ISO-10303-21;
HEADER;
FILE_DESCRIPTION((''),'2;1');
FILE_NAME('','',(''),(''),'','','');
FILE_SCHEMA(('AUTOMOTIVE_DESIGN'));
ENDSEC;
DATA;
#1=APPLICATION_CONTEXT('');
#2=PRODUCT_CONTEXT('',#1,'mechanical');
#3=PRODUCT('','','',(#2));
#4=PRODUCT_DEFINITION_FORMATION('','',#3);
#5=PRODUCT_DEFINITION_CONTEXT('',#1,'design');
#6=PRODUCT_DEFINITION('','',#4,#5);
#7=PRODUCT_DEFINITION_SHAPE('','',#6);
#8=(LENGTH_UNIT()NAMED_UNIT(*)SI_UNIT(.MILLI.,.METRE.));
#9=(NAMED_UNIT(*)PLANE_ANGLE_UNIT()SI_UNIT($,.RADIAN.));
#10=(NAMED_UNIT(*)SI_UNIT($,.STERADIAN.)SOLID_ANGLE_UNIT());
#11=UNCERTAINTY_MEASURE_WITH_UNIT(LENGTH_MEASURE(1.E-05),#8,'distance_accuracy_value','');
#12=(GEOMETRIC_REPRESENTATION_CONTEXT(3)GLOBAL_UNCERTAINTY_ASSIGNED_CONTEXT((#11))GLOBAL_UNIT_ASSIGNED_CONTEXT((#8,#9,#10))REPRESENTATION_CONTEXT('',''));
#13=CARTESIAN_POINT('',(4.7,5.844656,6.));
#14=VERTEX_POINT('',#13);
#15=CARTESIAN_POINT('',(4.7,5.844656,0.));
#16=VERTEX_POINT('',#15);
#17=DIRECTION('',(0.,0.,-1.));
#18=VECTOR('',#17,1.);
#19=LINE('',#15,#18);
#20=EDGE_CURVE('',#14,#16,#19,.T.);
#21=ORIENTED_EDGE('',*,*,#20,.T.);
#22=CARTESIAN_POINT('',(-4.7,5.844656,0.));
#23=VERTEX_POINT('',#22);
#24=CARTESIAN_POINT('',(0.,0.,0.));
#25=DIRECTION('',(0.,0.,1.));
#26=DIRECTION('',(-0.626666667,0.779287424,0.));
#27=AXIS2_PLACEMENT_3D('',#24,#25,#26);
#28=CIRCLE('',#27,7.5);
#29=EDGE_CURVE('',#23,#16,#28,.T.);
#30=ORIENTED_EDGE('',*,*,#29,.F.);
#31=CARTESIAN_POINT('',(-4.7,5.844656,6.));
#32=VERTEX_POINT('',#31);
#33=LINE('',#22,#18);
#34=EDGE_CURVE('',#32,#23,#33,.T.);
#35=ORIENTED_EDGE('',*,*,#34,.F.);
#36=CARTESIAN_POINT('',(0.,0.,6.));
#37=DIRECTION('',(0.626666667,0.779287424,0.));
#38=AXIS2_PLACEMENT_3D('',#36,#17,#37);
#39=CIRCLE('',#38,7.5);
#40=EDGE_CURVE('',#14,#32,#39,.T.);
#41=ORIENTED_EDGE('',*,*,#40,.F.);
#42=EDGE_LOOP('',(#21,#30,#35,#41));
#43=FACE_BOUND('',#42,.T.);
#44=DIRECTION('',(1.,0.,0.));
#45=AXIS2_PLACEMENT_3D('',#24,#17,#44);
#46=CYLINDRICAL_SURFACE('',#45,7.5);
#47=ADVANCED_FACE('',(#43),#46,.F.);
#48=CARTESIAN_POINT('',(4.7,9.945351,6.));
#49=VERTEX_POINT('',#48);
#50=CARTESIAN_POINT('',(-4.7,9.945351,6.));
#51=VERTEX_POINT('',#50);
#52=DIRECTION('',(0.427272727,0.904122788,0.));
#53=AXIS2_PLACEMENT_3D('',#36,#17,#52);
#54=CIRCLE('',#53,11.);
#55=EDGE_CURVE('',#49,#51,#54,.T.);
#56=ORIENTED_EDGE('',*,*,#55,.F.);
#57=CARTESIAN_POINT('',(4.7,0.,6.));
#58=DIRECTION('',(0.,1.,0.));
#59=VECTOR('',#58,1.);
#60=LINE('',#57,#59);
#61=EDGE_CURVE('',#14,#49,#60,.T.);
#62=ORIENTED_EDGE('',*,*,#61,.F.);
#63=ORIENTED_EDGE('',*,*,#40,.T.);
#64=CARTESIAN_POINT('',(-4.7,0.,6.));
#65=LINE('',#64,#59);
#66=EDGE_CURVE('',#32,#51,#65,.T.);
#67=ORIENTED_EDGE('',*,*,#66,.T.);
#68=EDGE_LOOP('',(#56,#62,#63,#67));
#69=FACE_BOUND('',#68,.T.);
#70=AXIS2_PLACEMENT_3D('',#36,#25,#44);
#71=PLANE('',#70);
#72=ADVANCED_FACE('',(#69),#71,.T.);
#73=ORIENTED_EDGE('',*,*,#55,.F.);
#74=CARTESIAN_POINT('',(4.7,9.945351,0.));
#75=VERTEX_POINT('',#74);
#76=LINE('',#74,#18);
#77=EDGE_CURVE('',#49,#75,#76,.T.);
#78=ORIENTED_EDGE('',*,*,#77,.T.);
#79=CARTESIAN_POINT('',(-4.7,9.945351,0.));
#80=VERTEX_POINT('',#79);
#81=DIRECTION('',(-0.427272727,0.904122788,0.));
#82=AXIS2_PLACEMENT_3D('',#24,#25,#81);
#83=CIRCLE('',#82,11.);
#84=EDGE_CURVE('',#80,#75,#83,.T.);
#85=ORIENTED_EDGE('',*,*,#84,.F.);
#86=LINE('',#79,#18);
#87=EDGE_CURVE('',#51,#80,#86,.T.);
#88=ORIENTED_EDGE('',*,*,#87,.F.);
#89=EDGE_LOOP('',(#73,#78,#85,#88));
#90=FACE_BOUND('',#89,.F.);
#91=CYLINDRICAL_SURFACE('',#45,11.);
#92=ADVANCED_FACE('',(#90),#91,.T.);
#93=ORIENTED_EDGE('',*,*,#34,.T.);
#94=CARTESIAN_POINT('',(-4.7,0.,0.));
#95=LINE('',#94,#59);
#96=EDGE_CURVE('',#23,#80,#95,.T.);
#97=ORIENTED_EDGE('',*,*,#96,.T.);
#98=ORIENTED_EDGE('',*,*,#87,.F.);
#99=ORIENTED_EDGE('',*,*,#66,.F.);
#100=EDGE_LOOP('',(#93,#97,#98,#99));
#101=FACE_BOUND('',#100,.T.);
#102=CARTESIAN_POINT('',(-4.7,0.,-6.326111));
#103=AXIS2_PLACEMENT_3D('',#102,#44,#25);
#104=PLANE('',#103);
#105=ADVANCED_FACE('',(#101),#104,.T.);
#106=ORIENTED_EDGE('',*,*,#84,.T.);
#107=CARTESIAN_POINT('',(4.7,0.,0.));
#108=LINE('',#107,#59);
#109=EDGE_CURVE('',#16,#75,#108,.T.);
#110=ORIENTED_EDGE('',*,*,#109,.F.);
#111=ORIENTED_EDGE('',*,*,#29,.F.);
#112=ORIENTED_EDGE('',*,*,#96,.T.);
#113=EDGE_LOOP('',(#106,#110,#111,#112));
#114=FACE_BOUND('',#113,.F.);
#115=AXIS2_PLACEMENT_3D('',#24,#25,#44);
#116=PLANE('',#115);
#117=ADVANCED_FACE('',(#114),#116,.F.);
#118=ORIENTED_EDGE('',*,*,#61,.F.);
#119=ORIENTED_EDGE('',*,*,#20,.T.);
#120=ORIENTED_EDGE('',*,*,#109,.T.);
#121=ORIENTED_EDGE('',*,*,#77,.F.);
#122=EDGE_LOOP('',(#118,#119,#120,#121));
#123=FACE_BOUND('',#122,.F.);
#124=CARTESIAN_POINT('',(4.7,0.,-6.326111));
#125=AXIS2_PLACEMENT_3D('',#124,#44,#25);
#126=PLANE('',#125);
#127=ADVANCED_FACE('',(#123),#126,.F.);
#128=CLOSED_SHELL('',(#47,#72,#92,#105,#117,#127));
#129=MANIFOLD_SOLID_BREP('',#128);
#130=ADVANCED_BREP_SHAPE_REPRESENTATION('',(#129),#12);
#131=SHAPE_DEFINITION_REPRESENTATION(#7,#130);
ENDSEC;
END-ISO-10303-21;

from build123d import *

# Parameters (mm, degrees)
F0_R     = 11
F0_R_2   = 7.5
F1_DEPTH = 6
F2_W     = 9.4
F2_H     = 20.224782
F3_DEPTH = 25


with BuildPart() as f1:
    # F0 (on Top) → F1 (new body)
    with BuildSketch(Plane.XY):
        Circle(F0_R)
        Circle(F0_R_2, mode=Mode.SUBTRACT)
    extrude(amount=F1_DEPTH)

    # F2 (on Front) → F3 (cut)
    with BuildSketch(Plane.XZ):
        with Locations((0, 3.78628)):
            Rectangle(F2_W, F2_H)
    extrude(amount=-F3_DEPTH, mode=Mode.SUBTRACT)


solid = f1.part
